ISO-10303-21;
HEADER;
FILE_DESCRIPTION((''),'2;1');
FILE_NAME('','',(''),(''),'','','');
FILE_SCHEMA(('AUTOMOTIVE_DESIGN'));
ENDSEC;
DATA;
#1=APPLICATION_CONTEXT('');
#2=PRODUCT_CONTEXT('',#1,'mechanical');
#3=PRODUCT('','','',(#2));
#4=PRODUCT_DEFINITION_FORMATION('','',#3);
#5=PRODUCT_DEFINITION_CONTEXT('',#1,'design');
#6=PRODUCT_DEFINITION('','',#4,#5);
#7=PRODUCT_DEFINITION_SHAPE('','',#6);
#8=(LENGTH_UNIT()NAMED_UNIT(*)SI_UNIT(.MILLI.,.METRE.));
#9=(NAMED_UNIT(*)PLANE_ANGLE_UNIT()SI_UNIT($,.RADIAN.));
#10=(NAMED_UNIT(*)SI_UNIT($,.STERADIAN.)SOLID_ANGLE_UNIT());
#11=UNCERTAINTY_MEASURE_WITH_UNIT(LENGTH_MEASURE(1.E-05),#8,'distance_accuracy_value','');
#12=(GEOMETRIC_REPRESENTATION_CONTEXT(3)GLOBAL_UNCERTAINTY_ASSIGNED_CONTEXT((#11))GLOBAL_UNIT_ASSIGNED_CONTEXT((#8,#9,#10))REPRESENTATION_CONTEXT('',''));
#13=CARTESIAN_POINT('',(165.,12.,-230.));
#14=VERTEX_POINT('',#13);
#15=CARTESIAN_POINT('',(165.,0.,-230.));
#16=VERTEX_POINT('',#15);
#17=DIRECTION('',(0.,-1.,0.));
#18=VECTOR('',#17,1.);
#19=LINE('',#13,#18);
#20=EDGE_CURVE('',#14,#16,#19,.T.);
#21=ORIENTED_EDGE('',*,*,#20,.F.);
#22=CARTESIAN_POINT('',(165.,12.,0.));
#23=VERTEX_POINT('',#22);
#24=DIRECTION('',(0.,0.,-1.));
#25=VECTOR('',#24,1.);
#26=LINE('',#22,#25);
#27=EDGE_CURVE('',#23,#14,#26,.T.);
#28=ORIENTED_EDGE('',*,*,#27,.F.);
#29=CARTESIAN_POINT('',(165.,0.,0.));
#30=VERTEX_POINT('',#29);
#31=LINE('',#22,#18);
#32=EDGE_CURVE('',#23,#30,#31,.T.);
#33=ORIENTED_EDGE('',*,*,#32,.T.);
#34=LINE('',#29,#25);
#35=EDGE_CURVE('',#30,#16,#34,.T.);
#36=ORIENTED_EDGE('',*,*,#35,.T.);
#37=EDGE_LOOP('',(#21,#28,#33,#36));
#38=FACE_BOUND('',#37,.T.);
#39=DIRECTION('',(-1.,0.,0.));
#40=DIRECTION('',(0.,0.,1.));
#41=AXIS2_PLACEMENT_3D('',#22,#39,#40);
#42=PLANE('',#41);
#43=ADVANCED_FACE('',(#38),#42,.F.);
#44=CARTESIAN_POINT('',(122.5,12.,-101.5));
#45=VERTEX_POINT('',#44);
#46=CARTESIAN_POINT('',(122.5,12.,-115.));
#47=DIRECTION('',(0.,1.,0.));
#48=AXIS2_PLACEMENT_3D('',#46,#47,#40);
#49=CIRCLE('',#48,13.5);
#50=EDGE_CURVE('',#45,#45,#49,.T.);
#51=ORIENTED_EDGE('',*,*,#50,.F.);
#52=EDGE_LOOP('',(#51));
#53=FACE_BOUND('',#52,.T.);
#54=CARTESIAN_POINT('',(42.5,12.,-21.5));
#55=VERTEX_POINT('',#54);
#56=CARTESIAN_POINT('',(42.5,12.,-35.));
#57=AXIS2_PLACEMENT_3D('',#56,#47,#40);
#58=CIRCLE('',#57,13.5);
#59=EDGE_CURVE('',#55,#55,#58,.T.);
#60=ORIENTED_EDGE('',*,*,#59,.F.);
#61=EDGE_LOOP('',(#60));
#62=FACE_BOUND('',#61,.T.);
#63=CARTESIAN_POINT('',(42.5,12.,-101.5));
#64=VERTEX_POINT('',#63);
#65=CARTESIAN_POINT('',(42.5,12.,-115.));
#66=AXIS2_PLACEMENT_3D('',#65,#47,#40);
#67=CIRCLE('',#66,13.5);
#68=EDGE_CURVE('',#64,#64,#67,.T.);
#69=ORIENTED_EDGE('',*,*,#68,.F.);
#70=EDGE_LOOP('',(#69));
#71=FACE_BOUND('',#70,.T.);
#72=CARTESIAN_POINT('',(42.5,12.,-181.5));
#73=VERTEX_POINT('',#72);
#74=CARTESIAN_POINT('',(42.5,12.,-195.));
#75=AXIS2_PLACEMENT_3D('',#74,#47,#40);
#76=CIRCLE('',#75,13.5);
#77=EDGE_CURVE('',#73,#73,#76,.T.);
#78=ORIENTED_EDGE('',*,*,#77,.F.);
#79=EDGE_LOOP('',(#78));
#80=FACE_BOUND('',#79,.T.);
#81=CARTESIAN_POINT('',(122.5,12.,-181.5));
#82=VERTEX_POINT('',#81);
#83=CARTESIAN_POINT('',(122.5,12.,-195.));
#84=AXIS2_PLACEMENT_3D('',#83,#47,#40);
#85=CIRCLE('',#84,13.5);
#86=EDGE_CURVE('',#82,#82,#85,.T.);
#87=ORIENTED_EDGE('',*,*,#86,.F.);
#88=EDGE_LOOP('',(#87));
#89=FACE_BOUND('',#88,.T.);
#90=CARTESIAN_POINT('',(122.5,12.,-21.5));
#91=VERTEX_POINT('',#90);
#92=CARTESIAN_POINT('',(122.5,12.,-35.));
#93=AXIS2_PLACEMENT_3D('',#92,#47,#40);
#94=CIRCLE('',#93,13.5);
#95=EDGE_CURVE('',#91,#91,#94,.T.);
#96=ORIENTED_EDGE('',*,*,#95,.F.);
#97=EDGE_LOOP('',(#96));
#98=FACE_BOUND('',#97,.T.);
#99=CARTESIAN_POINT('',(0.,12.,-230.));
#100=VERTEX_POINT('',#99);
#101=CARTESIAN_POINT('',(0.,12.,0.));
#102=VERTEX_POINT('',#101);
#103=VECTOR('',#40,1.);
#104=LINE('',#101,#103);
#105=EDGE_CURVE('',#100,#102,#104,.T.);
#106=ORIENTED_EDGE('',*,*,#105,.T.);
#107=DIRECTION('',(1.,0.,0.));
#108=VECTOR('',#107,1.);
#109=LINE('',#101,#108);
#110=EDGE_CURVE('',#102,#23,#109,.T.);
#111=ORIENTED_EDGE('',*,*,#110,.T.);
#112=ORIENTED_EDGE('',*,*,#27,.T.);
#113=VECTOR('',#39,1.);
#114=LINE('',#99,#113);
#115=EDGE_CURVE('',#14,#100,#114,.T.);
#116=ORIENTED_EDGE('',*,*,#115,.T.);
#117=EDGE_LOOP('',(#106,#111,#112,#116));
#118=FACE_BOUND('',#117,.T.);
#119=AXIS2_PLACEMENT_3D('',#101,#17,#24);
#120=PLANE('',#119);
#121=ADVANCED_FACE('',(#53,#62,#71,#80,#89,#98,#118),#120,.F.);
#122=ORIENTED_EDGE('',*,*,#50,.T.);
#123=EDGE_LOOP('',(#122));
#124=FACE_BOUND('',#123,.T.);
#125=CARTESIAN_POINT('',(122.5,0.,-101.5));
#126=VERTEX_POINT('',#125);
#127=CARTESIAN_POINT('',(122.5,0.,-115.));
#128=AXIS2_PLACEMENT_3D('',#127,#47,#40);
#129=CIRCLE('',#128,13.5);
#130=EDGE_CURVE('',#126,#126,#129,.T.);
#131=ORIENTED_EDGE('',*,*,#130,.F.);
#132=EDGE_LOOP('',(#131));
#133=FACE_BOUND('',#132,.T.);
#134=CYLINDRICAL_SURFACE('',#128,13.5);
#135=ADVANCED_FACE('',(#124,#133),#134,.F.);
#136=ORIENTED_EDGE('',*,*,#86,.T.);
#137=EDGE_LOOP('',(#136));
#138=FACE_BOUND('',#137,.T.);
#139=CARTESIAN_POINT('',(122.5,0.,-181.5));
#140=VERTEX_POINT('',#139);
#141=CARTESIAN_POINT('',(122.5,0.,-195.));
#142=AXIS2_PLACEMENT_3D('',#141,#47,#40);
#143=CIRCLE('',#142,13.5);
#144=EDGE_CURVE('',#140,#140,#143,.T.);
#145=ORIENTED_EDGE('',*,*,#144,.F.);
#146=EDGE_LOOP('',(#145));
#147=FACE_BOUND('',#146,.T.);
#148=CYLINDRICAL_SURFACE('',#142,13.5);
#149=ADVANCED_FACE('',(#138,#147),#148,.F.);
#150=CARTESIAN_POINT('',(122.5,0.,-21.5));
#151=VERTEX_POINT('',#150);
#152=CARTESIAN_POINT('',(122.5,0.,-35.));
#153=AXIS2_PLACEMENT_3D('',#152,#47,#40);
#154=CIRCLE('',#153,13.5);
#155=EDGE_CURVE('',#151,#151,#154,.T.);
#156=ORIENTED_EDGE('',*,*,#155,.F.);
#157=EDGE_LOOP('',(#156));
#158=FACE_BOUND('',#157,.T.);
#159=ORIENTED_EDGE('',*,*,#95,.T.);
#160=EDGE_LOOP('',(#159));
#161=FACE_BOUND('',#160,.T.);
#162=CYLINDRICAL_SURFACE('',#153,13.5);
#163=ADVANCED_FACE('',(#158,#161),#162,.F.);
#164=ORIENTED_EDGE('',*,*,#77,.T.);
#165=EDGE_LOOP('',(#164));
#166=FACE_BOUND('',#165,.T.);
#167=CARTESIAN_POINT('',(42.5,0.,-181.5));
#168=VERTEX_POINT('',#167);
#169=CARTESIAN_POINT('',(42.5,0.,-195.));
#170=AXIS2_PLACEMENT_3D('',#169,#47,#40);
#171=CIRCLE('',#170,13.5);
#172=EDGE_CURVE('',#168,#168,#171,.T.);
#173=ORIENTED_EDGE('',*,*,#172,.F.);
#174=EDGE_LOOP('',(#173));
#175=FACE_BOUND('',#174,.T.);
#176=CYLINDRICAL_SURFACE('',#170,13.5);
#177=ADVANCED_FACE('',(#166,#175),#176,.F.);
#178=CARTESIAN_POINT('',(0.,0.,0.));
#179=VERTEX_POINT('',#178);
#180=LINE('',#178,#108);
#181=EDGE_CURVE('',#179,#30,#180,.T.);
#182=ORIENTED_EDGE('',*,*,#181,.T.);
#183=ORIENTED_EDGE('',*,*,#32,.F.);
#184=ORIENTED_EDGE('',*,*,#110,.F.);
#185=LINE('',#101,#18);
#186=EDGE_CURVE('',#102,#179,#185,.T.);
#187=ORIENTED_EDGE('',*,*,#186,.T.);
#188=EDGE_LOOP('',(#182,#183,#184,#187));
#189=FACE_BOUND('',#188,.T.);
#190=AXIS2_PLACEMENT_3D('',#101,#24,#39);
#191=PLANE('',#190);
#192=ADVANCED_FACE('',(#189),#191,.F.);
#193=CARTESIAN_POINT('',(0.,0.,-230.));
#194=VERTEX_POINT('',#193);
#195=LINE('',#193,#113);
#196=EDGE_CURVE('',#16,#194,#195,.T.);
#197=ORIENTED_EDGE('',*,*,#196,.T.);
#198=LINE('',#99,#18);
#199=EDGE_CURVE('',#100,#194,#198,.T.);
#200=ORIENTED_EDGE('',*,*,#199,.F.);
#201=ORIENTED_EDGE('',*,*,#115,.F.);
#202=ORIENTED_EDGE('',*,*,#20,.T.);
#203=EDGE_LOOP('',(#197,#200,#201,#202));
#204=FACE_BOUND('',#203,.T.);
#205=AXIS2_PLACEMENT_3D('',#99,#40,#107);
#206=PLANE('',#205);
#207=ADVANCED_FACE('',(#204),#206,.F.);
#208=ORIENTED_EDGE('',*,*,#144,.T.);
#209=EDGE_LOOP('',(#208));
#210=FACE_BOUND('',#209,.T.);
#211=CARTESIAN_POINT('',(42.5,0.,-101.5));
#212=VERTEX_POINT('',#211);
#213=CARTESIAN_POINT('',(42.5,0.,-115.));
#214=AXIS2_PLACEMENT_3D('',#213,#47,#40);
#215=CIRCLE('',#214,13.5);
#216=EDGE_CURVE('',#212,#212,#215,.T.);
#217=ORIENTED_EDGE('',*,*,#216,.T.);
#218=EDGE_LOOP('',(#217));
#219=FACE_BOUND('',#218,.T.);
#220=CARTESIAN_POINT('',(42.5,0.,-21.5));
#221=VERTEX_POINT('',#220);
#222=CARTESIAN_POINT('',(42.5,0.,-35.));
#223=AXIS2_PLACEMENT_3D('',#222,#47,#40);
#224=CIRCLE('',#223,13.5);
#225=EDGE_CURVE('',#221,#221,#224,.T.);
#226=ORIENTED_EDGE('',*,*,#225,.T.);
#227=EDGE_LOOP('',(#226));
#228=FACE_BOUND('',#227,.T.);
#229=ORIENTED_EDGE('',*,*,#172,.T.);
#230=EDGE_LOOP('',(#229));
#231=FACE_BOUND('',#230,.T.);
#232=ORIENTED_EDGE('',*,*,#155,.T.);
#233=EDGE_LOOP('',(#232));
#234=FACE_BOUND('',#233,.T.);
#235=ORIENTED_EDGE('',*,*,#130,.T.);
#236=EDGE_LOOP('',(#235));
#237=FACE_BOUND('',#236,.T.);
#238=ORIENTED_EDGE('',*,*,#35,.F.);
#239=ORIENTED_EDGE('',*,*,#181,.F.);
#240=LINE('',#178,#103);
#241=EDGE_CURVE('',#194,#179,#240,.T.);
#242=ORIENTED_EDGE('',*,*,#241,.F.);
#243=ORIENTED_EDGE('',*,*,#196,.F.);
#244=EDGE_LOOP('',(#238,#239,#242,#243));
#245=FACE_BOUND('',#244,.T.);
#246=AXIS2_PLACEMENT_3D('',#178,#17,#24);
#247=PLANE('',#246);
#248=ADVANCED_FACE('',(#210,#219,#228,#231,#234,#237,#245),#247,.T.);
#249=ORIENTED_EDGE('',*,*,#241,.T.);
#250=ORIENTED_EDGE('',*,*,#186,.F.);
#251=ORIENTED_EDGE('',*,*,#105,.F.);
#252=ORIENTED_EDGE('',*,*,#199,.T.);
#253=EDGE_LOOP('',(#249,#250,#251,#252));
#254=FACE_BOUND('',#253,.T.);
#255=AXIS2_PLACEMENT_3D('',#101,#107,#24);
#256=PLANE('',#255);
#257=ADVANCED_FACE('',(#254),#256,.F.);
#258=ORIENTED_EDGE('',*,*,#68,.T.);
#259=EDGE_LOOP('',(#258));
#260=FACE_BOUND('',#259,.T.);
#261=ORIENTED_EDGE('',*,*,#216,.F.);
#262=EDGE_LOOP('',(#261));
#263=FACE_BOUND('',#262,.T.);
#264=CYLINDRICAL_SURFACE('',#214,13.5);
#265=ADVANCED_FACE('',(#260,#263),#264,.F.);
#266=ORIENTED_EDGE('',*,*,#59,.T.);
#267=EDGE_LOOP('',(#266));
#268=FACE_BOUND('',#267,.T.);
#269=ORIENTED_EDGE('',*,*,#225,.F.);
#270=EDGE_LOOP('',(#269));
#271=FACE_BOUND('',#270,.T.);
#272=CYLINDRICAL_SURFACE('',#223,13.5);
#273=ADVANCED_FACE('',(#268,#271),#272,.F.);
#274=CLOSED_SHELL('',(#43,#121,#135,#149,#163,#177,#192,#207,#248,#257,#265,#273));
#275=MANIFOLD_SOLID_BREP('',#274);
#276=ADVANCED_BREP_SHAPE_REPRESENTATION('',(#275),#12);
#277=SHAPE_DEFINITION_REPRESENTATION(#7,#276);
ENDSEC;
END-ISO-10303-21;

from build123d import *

# Parameters (mm, degrees)
SKETCH_3_W          = 165
SKETCH_3_H          = 230
EXTRUDE_2_DEPTH     = 12
SKETCH_4_R          = 13.5
CUT_EXTRUDE_2_DEPTH = 284.317842714


with BuildPart() as part:
    # 草图3 → 凸台-拉伸2 (new body)
    with BuildSketch(Plane(origin=(0, 0, 0), x_dir=(1, 0, 0), z_dir=(0, 1, 0))):
        with Locations((82.5, 115)):
            Rectangle(SKETCH_3_W, SKETCH_3_H)
    extrude(amount=EXTRUDE_2_DEPTH)

    # 草图4 → 切除-拉伸2 (cut, through all)
    with BuildSketch(Plane(origin=(0, 12, 0), x_dir=(1, 0, 0), z_dir=(0, 1, 0))):
        with Locations(Location((42.5, 195, 0), (0, 0, 270))):
            Circle(SKETCH_4_R)
        with Locations(Location((122.5, 195, 0), (0, 0, 270))):
            Circle(SKETCH_4_R)
        with Locations(Location((42.5, 115, 0), (0, 0, 270))):
            Circle(SKETCH_4_R)
        with Locations(Location((122.5, 115, 0), (0, 0, 270))):
            Circle(SKETCH_4_R)
        with Locations(Location((42.5, 35, 0), (0, 0, 270))):
            Circle(SKETCH_4_R)
        with Locations(Location((122.5, 35, 0), (0, 0, 270))):
            Circle(SKETCH_4_R)
    extrude(amount=-CUT_EXTRUDE_2_DEPTH, mode=Mode.SUBTRACT)


solid = part.part
